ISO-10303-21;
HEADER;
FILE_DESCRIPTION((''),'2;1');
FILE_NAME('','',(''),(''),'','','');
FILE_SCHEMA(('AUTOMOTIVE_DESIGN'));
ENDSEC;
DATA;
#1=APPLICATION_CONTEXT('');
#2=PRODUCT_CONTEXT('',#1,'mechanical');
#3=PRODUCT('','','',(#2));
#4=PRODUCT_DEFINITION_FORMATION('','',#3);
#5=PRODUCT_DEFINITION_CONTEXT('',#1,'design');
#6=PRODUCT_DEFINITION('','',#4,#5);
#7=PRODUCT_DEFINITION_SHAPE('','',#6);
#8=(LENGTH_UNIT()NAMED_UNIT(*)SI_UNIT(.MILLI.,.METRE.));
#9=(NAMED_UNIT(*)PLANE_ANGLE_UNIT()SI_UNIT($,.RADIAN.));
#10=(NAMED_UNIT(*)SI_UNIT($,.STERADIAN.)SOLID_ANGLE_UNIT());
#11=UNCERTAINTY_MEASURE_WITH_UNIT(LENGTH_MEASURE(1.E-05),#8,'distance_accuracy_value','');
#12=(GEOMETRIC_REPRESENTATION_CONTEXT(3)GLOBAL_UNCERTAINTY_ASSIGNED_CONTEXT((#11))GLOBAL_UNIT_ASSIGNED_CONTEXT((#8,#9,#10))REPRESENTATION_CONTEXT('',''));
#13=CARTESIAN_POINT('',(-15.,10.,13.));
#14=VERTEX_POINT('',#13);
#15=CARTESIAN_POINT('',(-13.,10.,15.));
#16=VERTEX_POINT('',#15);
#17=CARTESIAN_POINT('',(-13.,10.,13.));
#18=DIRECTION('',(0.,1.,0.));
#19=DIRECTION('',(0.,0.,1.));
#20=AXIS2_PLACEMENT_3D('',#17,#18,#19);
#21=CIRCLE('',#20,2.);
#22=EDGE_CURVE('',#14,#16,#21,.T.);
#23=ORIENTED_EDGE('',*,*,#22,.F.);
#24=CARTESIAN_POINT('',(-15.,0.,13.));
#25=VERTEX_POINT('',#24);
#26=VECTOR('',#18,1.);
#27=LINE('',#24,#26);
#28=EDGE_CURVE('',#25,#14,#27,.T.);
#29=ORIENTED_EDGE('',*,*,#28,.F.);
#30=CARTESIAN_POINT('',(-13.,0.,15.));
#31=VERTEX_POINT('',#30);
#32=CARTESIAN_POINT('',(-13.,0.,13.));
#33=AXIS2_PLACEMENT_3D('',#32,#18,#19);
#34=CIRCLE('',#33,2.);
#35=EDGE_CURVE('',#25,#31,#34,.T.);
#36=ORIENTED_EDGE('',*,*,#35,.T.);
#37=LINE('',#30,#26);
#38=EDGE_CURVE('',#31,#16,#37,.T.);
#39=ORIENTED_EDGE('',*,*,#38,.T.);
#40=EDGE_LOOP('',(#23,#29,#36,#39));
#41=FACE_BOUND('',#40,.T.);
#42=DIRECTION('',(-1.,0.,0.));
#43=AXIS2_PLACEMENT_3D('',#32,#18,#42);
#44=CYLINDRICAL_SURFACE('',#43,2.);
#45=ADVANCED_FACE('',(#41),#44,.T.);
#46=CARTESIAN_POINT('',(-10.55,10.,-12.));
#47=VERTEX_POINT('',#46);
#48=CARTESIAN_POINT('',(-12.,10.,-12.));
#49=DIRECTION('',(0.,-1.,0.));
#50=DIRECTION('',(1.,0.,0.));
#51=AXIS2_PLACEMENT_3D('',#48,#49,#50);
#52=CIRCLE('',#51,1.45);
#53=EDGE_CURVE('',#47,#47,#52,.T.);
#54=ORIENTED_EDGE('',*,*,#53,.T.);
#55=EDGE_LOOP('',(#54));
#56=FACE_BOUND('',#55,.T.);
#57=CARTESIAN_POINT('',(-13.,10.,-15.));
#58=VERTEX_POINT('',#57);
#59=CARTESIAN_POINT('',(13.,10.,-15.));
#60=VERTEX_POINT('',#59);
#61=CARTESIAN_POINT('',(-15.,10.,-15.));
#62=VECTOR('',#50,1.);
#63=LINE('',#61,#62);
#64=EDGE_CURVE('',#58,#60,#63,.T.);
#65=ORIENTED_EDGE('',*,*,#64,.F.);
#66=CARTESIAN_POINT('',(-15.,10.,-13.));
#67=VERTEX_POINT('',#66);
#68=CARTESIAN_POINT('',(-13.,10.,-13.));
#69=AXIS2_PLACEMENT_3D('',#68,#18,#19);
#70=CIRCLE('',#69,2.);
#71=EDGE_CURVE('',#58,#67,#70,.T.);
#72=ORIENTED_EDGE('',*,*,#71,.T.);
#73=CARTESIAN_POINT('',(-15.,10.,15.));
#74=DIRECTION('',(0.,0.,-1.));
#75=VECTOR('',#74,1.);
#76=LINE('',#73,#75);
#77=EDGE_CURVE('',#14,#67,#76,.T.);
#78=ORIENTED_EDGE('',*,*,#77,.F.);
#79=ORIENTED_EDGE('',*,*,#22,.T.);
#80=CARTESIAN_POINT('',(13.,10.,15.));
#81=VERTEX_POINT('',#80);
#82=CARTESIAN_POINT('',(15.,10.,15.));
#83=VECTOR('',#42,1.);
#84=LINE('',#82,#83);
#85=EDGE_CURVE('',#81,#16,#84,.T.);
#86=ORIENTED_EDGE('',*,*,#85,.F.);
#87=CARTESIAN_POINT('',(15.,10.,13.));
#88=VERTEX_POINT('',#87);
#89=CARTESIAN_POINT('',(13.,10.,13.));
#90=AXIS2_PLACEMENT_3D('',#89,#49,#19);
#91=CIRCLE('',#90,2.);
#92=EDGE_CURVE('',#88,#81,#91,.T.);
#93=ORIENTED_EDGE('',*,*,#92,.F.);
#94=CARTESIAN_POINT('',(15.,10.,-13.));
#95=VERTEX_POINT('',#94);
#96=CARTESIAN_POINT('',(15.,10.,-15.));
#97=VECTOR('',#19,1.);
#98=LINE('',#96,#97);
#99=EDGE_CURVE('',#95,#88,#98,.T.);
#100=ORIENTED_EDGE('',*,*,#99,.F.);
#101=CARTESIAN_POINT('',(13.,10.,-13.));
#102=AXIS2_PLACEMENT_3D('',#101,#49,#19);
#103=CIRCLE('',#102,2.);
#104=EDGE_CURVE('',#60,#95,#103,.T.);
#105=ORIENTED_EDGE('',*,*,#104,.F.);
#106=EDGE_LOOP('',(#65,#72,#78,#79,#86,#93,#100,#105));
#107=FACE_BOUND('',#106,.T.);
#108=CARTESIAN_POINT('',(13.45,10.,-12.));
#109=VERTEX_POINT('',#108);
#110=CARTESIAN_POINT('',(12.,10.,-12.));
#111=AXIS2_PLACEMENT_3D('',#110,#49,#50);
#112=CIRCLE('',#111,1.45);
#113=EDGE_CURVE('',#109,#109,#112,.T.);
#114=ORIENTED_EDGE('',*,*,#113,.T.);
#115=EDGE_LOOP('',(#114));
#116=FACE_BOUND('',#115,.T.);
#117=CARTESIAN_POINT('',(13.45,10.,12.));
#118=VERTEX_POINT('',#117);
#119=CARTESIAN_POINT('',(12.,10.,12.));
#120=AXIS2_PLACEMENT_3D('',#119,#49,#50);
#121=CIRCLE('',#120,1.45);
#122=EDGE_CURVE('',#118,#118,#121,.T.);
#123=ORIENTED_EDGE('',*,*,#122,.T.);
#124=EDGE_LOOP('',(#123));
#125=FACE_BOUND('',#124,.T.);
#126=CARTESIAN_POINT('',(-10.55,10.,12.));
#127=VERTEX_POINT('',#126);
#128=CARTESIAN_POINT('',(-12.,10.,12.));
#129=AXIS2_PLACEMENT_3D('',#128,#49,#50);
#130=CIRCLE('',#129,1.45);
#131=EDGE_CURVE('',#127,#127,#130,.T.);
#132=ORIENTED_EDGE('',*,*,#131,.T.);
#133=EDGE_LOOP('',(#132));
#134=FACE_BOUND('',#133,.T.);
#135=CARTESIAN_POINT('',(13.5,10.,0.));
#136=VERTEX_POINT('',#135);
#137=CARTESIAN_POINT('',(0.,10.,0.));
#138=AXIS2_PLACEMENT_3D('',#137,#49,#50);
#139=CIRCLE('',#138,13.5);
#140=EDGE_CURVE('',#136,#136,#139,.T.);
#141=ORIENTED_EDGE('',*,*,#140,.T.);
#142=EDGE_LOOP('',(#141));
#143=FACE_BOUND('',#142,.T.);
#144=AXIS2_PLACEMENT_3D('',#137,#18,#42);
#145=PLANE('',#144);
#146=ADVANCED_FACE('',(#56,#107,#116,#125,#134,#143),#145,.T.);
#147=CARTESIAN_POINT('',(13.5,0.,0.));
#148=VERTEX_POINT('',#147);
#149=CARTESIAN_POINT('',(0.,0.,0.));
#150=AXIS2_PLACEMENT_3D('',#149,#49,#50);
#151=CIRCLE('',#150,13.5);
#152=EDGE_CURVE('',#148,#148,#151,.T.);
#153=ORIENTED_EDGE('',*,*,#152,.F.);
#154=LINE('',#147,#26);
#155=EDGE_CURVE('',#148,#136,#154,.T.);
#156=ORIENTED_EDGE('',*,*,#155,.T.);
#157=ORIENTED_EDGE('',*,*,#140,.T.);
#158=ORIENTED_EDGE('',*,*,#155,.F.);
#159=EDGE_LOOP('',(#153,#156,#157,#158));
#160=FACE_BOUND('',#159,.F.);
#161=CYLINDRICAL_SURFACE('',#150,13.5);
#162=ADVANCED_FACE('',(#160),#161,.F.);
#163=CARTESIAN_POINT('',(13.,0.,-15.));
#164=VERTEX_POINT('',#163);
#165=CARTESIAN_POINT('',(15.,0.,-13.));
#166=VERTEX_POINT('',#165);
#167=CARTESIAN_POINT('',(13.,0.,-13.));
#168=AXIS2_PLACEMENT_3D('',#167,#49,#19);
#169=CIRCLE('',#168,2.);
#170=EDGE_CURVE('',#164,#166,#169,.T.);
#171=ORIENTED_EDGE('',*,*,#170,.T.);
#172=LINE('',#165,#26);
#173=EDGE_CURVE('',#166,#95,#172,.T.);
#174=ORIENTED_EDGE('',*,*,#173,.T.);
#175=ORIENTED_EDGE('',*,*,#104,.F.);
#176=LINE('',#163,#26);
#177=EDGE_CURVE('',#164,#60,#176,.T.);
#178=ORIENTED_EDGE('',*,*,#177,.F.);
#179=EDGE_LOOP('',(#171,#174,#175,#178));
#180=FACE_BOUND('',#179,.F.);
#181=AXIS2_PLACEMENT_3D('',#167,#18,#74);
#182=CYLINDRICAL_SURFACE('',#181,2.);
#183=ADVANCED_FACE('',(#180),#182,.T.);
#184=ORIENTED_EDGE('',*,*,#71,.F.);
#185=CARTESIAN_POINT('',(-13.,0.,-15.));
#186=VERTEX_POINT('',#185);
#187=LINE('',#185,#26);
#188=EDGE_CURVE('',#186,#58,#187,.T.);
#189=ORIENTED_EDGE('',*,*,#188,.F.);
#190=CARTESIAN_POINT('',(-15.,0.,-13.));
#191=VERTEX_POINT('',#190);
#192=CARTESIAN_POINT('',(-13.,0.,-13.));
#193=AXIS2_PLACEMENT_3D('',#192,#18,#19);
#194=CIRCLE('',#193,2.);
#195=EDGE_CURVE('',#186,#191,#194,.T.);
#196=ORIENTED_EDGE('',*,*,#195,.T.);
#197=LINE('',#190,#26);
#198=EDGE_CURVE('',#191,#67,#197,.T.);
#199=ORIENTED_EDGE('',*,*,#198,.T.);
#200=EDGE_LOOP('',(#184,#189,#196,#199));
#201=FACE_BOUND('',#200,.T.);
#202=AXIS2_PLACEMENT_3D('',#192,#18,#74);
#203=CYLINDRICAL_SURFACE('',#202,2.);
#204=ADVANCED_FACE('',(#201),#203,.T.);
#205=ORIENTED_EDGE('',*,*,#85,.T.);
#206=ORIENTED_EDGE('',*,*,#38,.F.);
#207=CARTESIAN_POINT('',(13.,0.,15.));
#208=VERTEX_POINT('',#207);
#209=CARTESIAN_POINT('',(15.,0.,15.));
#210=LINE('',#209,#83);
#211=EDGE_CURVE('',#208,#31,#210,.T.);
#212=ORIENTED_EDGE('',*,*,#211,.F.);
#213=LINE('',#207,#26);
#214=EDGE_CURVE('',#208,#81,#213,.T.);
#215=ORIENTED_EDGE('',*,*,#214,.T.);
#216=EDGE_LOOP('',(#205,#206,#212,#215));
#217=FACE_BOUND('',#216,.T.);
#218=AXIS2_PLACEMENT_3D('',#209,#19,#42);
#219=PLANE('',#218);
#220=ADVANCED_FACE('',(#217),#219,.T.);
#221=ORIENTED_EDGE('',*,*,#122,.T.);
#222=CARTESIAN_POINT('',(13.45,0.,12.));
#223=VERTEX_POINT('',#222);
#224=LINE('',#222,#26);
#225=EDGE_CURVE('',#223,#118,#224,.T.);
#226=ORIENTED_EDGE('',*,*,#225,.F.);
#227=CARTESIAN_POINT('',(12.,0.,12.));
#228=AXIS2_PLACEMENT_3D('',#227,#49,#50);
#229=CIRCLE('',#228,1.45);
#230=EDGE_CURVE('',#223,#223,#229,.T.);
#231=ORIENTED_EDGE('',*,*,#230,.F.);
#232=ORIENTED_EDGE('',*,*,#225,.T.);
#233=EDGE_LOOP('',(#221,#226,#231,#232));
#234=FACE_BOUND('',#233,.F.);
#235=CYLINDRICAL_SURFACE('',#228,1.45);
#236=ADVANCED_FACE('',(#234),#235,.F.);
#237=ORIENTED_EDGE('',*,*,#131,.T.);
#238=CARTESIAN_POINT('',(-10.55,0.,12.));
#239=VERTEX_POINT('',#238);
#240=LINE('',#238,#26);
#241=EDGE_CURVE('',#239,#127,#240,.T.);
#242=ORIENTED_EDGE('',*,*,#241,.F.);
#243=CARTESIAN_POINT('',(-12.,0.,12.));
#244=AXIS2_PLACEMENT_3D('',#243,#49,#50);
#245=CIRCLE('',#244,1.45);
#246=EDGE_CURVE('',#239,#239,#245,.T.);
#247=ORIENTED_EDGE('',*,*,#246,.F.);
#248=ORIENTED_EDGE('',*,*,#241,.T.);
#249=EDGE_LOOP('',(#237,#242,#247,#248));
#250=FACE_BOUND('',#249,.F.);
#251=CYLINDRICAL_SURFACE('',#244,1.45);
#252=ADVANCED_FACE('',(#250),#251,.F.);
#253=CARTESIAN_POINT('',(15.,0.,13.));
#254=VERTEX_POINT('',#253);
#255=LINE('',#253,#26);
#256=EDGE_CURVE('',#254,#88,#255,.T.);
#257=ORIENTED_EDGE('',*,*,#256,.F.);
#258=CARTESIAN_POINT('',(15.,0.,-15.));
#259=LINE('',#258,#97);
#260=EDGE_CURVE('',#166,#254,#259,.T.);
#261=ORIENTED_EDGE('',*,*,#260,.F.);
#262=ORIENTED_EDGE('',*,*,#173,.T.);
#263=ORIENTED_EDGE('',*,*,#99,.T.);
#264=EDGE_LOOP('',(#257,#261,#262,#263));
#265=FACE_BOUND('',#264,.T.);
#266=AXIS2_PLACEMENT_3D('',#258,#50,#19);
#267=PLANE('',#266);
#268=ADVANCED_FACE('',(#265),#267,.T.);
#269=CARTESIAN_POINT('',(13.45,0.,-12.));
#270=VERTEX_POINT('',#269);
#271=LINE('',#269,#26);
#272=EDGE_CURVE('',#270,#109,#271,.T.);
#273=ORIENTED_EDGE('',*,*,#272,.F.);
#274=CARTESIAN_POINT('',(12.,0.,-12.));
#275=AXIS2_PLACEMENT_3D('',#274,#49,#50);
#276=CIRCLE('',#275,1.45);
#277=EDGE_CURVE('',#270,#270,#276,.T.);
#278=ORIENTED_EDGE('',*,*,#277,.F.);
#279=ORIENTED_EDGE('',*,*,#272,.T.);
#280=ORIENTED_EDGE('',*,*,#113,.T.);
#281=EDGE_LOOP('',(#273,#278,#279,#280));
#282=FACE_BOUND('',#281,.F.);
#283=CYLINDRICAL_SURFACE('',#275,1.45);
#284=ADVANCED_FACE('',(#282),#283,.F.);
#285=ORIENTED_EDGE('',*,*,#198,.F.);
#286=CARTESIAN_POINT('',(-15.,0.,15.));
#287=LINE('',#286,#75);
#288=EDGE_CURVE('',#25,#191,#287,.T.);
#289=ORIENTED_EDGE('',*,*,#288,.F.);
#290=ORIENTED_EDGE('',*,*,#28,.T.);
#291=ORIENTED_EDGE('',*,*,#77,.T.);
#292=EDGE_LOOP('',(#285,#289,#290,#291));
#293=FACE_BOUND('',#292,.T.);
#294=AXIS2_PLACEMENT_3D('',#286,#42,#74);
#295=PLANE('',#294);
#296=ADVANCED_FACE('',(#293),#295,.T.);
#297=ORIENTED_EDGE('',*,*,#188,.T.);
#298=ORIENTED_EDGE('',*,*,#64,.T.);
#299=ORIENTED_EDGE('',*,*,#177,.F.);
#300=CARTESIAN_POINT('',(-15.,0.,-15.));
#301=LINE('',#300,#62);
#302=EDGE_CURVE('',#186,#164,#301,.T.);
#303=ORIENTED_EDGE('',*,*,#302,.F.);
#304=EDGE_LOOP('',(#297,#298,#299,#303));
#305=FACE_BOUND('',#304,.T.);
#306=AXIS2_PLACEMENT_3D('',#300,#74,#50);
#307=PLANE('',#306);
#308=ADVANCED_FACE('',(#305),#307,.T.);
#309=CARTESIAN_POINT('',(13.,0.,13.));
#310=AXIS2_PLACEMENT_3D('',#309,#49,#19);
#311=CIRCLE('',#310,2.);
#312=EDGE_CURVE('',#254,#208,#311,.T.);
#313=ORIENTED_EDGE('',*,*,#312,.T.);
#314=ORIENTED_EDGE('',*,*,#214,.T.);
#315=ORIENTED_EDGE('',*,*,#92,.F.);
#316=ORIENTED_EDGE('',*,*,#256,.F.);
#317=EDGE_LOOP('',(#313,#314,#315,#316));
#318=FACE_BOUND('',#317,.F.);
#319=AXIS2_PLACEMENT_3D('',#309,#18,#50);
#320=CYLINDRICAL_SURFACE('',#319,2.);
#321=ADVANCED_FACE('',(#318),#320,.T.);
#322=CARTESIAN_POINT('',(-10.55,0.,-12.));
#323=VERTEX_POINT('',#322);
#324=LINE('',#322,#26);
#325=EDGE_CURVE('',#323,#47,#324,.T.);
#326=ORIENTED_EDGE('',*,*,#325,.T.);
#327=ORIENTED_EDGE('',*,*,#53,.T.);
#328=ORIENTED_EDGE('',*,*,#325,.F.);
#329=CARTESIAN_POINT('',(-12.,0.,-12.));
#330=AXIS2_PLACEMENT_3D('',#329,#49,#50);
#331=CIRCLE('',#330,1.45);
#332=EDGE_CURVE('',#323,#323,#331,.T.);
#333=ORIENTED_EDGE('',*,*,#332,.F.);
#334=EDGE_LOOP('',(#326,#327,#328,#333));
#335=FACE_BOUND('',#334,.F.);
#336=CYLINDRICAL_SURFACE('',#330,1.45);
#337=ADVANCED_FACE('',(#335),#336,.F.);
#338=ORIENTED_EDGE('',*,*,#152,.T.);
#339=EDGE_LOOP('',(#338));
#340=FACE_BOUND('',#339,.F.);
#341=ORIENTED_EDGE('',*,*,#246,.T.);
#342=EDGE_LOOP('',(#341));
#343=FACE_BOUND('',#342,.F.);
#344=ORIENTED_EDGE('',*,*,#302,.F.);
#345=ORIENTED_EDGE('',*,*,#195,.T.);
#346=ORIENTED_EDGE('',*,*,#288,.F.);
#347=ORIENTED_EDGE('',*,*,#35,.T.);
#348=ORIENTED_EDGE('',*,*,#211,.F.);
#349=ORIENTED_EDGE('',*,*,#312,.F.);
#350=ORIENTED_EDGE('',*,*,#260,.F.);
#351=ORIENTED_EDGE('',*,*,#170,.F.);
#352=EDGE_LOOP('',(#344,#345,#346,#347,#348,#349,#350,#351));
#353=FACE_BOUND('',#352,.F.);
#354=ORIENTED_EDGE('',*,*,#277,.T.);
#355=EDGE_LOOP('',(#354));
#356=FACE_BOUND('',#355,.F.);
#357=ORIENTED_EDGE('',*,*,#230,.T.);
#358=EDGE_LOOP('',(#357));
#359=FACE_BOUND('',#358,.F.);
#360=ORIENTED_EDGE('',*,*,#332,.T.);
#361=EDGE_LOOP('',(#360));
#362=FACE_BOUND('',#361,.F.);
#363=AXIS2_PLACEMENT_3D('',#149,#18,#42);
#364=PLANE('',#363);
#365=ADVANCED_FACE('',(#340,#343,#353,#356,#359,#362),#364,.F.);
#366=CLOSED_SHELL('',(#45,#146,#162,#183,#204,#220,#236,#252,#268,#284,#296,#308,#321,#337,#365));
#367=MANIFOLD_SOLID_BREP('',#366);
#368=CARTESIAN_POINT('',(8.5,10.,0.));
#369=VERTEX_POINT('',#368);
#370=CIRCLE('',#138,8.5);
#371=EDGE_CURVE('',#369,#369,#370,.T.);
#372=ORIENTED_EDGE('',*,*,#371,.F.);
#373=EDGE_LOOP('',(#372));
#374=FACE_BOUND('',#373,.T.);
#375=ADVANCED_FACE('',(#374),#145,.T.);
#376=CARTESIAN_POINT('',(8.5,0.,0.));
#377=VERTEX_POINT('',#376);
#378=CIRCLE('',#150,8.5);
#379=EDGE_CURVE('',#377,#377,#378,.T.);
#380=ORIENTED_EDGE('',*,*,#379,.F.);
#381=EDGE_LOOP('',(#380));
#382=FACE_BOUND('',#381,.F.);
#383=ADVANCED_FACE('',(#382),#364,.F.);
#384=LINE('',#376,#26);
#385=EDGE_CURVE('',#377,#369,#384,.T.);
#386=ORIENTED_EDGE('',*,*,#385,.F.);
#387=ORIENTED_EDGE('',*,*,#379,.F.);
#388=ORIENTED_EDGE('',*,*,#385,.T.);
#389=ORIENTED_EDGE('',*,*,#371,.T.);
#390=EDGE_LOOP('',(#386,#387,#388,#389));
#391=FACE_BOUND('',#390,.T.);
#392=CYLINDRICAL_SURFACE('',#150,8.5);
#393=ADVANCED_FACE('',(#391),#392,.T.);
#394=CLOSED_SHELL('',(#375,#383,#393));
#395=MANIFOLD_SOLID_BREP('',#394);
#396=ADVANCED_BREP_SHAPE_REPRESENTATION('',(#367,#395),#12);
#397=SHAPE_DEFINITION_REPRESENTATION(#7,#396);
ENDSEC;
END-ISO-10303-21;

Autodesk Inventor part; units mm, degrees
ref_plane "YZ Plane" through (0, 0, 0) normal (1, 0, 0) x (0, 1, 0)
ref_plane "XZ Plane" through (0, 0, 0) normal (0, 1, 0) x (-1, 0, 0)
ref_plane "XY Plane" through (0, 0, 0) normal (0, 0, 1) x (1, 0, 0)
sketch "Sketch1" plane through (0, 0, 0) normal (0, 1, 0) x (-1, 0, 0)
  line L0 (15, -15) -> (-15, -15)
  line L1 (-15, -15) -> (-15, 15)
  line L2 (-15, 15) -> (15, 15)
  line L3 (15, 15) -> (15, -15)
  line L4 (15, -15) -> (-15, 15) construction
  line L5 (-15, -15) -> (15, 15) construction
  point P0 (0, 0)
  dimension "d0" = 30
  dimension "d1" = 30
extrude "Extrusion1" add sketch "Sketch1" along normal blind 10
sketch "Sketch2" plane through (0, 0, 0) normal (0, -1, 0) x (1, 0, 0)
  line L0 (12, 12) -> (-12, 12) construction
  line L1 (-12, 12) -> (-12, -12) construction
  line L2 (-12, -12) -> (12, -12) construction
  line L3 (12, -12) -> (12, 12) construction
  line L4 (12, 12) -> (-12, -12) construction
  line L5 (-12, 12) -> (12, -12) construction
  circle A0 centre (12, 12) radius 1.45
  circle A1 centre (12, -12) radius 1.45
  circle A2 centre (-12, -12) radius 1.45
  circle A3 centre (-12, 12) radius 1.45
  circle A4 centre (0, 0) radius 13.5
  circle A5 centre (0, 0) radius 8.5
  dimension "d4" = 24
  dimension "d5" = 24
  dimension "d6" = 2.9
  dimension "d7" = 2.9
  dimension "d8" = 2.9
  dimension "d9" = 2.9
  dimension "d10" = 27
  dimension "d11" = 17
extrude "Extrusion2" cut sketch "Sketch2" against normal through all
fillet "Fillet1" radius 2 4 edges at (15, 5, 15) (-15, 5, 15) (15, 5, -15) (-15, 5, -15)
ref_plane "Work Plane1" through (13, 0, 0) normal (0, 0, -1) x (-1, 0, 0)
ref_plane "Work Plane2" through (0, 0, 13) normal (1, 0, 0) x (0, 0, -1)
properties part number "00_fan_30mm_24mm"
